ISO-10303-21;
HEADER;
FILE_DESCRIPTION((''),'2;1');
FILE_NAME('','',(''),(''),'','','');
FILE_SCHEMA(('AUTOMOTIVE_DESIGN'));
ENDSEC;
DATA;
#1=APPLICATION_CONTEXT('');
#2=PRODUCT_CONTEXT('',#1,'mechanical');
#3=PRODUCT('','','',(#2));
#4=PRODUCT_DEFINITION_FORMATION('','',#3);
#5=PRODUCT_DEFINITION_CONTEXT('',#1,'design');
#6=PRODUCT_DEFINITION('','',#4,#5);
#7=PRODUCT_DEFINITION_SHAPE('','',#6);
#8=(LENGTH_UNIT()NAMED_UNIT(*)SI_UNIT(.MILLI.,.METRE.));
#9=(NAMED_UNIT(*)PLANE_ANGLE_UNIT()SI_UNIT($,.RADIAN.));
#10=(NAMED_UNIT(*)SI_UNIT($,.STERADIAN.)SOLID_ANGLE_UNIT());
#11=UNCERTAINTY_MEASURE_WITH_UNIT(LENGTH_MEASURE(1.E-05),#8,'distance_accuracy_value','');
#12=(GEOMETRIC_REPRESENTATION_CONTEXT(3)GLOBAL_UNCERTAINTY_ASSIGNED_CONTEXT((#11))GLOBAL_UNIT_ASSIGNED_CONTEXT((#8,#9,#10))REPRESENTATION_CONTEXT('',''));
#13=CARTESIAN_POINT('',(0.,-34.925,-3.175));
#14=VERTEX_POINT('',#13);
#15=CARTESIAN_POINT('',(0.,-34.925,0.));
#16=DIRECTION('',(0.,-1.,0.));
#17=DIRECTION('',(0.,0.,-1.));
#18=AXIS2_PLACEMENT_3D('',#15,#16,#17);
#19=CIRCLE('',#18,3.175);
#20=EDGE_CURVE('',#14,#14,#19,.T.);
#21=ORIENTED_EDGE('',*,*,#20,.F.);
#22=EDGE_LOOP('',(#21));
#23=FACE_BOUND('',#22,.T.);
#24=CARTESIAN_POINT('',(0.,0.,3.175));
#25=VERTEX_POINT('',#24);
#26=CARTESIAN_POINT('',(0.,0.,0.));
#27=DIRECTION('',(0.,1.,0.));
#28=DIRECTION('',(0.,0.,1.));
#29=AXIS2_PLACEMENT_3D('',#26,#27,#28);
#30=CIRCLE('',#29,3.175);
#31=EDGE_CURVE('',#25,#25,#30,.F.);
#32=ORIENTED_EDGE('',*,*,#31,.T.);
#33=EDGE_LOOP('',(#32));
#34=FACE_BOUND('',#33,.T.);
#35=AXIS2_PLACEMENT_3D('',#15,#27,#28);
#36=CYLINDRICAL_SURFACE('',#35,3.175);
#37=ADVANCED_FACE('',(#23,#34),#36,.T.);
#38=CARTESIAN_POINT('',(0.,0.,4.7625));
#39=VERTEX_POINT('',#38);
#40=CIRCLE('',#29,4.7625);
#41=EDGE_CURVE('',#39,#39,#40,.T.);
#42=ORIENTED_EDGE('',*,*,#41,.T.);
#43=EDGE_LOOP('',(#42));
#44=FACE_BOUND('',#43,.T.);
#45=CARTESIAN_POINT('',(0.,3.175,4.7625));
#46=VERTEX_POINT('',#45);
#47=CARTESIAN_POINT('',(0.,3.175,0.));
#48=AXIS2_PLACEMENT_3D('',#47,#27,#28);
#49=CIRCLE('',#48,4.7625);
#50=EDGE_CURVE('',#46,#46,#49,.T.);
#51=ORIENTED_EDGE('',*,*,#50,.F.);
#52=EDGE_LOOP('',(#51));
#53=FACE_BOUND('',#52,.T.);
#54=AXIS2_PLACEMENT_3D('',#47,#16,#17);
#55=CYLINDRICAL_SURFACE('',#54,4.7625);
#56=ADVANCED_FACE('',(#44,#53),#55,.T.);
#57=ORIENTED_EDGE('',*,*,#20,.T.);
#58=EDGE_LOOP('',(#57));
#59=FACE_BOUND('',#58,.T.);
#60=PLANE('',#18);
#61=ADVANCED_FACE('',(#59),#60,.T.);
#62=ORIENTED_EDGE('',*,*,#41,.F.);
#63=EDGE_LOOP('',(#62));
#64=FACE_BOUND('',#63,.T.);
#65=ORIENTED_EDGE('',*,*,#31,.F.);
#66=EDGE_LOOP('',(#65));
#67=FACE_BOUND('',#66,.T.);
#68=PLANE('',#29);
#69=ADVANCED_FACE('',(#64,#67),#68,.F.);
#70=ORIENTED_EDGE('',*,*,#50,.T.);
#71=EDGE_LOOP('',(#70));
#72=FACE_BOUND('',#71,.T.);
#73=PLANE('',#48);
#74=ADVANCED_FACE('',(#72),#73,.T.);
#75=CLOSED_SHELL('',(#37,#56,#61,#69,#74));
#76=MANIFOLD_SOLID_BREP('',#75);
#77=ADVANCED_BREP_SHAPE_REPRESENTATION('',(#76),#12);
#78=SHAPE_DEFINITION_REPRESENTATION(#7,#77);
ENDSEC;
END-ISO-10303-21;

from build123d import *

# Parameters (mm, degrees)
SKETCH1_R           = 4.7625
BOSS_EXTRUDE1_DEPTH = 3.175
SKETCH2_R           = 3.175
BOSS_EXTRUDE2_DEPTH = 34.925


with BuildPart() as part:
    # Sketch1 → Boss-Extrude1 (new body)
    with BuildSketch(Plane(origin=(0, 0, 0), x_dir=(1, 0, 0), z_dir=(0, 1, 0))):
        with Locations(Location((0, 0, 0), (0, 0, 270))):
            Circle(SKETCH1_R)
    extrude(amount=BOSS_EXTRUDE1_DEPTH)

    # Sketch2 → Boss-Extrude2 (add)
    with BuildSketch(Plane.XZ):
        with Locations(Location((0, 0, 0), (0, 0, 90))):
            Circle(SKETCH2_R)
    extrude(amount=BOSS_EXTRUDE2_DEPTH)


solid = part.part
